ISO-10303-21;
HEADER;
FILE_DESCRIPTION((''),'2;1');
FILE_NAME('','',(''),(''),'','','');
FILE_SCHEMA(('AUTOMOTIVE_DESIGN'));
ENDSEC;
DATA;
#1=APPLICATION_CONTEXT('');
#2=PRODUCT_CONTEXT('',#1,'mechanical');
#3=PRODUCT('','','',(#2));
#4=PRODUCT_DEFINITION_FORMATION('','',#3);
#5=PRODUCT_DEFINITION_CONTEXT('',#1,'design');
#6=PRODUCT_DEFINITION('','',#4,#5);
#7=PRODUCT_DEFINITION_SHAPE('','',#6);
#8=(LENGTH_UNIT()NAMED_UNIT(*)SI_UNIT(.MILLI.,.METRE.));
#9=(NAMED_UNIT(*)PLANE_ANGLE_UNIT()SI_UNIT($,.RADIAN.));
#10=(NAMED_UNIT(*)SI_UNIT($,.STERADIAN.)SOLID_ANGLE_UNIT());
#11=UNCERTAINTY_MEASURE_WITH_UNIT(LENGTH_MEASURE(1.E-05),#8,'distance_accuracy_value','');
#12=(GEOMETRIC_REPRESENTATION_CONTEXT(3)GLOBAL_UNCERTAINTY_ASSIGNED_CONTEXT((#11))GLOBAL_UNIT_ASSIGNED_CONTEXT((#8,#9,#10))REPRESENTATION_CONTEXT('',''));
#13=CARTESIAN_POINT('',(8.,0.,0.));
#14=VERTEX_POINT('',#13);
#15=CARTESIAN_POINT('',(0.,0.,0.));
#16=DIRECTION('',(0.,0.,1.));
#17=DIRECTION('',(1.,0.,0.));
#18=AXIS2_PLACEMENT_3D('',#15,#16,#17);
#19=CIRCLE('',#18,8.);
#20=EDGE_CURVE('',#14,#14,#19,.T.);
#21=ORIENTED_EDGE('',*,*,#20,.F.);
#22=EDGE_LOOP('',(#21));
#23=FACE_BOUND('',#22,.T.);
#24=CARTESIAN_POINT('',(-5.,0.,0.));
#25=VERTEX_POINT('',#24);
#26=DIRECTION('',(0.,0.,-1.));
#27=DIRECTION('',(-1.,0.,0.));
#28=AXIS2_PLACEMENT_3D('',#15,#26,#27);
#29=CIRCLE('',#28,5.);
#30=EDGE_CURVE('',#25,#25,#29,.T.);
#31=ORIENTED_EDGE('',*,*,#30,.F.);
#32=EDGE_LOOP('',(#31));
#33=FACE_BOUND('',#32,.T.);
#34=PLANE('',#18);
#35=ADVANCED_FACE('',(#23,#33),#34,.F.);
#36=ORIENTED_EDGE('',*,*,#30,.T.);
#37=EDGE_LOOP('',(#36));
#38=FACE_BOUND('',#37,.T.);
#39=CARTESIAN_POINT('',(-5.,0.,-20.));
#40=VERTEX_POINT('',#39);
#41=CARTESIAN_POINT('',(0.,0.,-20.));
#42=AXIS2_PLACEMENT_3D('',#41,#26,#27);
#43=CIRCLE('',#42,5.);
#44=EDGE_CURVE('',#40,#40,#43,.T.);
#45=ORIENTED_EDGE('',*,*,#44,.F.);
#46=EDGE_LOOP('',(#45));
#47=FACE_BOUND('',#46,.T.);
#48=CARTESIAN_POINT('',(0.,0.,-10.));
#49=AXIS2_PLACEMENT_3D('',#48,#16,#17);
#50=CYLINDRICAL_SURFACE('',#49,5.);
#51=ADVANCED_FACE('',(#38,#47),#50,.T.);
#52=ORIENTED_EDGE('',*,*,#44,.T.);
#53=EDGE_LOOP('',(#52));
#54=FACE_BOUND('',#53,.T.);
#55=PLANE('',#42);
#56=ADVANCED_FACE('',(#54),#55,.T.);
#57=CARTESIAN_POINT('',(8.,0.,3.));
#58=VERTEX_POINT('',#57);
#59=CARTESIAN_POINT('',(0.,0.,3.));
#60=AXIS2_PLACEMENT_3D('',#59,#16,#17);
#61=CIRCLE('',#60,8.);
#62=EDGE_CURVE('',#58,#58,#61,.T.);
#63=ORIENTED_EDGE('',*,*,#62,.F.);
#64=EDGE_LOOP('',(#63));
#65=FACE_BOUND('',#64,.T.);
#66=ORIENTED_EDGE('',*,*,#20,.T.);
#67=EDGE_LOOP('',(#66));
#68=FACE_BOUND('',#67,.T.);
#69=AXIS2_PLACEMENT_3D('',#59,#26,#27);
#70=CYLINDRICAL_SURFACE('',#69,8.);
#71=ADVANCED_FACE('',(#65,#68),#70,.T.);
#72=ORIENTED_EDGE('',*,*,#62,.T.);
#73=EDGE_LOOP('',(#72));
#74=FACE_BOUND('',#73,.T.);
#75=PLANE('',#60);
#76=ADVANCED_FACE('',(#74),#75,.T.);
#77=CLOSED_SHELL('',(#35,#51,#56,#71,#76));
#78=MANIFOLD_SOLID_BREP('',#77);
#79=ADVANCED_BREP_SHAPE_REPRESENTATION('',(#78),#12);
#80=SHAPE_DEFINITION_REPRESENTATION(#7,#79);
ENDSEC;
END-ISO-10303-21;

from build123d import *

# Parameters (mm, degrees)
SKETCH1_R           = 8
BOSS_EXTRUDE1_DEPTH = 3
SKETCH2_R           = 5
BOSS_EXTRUDE2_DEPTH = 10
SKETCH3_R           = 5
BOSS_EXTRUDE3_DEPTH = 10


with BuildPart() as part:
    # Sketch1 → Boss-Extrude1 (new body)
    with BuildSketch(Plane.XY):
        Circle(SKETCH1_R)
    extrude(amount=BOSS_EXTRUDE1_DEPTH)

    # Sketch2 → Boss-Extrude2 (add)
    with BuildSketch(Plane(origin=(0, 0, 0), x_dir=(-1, 0, 0), z_dir=(0, 0, -1))):
        Circle(SKETCH2_R)
    extrude(amount=BOSS_EXTRUDE2_DEPTH)

    # Sketch3 → Boss-Extrude3 (add)
    with BuildSketch(Plane(origin=(0, 0, -10), x_dir=(-1, 0, 0), z_dir=(0, 0, -1))):
        Circle(SKETCH3_R)
    extrude(amount=BOSS_EXTRUDE3_DEPTH)


solid = part.part
